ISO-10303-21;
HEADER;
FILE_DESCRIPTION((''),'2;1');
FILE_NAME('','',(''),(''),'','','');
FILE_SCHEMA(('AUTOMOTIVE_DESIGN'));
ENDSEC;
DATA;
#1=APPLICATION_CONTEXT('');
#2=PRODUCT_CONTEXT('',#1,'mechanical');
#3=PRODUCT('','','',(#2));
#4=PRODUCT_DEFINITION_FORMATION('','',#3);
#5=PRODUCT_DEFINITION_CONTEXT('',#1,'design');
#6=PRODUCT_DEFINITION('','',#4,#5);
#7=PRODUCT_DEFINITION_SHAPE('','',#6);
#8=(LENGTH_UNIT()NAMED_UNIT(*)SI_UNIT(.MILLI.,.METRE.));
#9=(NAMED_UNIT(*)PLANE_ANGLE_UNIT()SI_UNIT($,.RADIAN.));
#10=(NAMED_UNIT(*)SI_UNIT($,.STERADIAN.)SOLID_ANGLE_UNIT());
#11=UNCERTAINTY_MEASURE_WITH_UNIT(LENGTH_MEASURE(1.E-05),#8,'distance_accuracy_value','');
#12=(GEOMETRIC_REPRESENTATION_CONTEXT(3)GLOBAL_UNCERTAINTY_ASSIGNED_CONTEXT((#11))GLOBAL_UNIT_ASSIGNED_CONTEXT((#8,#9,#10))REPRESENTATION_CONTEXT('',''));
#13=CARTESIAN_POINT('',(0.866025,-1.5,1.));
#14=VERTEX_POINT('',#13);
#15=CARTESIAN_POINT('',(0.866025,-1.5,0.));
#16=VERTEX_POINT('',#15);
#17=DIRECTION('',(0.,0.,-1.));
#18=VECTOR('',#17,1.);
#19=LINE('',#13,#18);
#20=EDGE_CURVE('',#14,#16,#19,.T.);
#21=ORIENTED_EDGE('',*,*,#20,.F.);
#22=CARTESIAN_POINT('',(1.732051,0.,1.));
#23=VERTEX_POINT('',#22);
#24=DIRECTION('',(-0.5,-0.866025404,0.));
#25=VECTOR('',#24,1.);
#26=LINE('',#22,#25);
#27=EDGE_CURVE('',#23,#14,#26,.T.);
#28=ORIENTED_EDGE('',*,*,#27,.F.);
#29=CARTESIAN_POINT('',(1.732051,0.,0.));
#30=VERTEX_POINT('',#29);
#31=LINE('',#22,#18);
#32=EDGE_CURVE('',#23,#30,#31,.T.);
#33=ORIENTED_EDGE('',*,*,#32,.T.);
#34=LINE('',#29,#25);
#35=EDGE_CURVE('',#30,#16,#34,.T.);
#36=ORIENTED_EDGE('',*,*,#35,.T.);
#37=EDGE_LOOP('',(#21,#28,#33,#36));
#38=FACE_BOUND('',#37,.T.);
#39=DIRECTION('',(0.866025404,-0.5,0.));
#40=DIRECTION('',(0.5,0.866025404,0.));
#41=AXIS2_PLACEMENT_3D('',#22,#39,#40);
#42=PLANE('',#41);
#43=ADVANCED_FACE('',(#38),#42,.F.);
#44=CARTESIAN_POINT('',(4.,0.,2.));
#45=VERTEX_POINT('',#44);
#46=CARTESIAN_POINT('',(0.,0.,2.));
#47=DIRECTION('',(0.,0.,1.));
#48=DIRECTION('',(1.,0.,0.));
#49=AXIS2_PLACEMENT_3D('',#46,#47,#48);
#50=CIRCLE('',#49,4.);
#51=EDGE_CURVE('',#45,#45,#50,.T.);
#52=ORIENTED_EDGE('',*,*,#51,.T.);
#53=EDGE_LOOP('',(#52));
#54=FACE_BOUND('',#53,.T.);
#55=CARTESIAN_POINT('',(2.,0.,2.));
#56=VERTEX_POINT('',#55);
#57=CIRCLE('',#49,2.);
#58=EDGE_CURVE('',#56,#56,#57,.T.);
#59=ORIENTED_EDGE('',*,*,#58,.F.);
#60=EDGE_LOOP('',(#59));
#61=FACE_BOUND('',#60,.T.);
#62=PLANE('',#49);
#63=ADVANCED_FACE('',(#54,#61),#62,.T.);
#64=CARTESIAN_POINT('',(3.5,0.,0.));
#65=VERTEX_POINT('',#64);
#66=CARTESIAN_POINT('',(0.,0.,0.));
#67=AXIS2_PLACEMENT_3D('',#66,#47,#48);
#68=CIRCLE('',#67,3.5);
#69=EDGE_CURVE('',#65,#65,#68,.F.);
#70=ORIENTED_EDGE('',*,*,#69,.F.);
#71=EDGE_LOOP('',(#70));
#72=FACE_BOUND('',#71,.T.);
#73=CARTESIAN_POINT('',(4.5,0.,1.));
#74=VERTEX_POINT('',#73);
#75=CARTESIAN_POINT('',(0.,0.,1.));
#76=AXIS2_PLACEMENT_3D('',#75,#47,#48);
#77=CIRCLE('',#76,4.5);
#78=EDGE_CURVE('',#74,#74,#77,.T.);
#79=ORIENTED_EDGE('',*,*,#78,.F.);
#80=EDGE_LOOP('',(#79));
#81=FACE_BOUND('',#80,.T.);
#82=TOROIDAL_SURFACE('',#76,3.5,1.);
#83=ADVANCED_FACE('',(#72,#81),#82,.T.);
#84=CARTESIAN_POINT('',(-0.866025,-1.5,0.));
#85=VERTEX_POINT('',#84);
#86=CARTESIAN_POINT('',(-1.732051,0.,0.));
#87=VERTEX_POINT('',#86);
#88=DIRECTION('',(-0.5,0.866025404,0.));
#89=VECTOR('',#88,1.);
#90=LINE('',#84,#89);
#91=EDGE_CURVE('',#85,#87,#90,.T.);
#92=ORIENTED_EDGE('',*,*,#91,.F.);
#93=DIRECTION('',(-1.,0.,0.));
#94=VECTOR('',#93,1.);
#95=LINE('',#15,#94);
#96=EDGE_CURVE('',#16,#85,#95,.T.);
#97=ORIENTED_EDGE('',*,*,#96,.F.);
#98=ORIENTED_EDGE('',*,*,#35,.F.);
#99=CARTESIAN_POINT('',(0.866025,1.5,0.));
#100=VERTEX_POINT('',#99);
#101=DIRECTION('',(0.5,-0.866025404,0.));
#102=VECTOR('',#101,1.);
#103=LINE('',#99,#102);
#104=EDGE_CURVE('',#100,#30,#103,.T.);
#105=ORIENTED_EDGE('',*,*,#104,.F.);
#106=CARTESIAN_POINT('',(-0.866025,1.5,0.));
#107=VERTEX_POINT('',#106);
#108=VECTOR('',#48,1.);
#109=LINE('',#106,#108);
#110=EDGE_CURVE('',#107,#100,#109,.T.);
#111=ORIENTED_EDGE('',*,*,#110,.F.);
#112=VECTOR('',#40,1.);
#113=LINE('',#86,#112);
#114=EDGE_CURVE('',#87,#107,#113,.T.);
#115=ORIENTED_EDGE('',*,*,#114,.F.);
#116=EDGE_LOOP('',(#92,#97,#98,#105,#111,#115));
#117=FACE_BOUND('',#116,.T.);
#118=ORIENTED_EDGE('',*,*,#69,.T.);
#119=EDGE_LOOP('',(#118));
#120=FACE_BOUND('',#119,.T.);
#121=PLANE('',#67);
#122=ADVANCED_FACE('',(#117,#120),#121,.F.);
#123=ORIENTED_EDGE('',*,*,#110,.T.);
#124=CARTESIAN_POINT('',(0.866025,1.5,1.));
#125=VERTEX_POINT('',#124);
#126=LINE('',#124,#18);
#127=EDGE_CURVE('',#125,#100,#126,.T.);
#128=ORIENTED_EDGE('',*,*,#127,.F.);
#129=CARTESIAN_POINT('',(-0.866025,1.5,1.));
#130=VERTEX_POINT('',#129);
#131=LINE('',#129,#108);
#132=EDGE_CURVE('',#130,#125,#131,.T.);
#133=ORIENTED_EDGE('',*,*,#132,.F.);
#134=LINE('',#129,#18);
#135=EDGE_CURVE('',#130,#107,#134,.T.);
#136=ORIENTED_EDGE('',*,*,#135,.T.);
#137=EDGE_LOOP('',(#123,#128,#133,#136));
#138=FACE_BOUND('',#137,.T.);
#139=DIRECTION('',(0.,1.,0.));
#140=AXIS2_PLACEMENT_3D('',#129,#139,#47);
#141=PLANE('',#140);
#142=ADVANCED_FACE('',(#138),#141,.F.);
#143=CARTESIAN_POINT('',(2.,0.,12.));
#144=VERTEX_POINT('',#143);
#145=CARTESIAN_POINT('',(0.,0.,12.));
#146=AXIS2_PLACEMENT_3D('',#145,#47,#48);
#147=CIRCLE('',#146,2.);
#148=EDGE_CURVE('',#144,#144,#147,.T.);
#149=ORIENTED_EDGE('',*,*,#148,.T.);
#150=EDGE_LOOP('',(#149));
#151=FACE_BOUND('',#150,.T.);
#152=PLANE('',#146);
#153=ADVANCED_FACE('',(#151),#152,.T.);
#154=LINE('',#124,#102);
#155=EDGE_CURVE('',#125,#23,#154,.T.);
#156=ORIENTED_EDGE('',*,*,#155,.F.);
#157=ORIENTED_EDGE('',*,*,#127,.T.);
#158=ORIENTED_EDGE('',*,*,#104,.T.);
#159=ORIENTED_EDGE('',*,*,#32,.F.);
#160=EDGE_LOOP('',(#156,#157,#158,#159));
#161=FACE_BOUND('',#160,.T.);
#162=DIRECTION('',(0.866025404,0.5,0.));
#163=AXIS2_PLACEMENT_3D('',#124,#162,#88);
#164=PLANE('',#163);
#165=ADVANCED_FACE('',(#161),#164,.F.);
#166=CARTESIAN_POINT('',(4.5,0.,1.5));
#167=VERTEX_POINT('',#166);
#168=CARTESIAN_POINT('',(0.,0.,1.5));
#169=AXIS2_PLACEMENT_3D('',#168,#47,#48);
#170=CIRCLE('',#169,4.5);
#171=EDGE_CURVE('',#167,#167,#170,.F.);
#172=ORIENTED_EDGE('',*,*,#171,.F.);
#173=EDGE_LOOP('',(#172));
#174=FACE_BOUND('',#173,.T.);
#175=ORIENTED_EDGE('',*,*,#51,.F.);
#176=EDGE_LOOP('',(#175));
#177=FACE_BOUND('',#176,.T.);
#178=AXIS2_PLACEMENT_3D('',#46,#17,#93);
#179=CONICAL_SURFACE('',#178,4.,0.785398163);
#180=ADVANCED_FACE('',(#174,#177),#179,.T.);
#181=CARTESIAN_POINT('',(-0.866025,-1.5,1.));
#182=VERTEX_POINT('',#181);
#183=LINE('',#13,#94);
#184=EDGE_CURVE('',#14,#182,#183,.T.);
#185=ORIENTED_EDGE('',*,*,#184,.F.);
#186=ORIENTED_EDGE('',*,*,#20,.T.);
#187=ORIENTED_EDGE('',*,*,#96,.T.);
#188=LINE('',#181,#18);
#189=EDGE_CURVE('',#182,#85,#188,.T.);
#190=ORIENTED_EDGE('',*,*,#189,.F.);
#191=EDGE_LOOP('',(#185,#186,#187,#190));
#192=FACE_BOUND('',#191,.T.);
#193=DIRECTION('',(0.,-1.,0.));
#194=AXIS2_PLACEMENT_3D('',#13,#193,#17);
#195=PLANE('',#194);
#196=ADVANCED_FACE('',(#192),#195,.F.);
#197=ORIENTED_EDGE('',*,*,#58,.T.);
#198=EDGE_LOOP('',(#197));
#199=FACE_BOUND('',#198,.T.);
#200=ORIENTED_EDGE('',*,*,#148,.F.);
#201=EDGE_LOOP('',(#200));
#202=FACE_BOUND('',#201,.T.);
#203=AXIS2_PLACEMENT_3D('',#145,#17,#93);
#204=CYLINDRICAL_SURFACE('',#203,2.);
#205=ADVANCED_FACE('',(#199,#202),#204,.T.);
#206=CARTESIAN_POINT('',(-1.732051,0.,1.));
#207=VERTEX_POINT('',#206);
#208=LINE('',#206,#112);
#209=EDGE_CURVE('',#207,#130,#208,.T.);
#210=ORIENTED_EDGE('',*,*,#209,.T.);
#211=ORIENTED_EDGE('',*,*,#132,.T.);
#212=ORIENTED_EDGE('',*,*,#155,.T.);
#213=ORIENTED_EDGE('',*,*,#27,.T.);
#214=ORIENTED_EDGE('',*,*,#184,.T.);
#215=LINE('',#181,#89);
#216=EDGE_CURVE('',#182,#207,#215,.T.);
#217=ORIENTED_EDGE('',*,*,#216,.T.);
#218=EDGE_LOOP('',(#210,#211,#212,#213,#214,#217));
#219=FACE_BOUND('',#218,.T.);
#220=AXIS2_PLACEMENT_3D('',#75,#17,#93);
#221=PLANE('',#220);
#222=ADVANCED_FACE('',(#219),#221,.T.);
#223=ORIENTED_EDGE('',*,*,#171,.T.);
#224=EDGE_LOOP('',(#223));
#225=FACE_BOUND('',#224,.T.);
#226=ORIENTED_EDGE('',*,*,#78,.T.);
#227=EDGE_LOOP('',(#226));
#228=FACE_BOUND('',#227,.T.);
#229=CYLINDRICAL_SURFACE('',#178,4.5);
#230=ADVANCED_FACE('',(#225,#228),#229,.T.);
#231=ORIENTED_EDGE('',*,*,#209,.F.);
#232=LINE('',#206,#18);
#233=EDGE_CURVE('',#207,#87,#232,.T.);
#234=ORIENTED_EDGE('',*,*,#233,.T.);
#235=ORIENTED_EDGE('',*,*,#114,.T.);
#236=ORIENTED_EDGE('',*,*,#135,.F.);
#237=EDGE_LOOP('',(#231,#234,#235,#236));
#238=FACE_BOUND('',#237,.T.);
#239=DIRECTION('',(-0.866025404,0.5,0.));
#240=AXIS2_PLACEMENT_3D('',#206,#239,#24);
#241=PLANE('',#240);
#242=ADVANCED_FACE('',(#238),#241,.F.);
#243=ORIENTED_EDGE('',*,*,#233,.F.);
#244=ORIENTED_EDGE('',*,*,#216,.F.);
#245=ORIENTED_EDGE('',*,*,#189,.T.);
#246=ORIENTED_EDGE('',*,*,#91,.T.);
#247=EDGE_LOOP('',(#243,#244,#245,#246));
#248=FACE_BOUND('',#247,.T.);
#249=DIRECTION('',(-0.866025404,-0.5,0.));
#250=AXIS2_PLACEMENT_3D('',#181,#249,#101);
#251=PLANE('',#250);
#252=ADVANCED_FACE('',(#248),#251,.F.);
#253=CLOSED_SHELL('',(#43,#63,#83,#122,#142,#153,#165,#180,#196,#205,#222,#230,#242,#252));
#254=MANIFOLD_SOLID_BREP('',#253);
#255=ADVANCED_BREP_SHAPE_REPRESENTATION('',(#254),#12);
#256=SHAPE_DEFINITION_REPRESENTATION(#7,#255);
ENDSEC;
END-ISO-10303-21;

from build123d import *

# Parameters (mm, degrees)
SKETCH_1_R          = 4.5
EXTRUDE_1_DEPTH     = 2
SKETCH_2_R          = 2
EXTRUDE_2_DEPTH     = 10
FILLET_1_R          = 1
CHAMFER_1_SIZE      = 0.5
CUT_EXTRUDE_1_DEPTH = 1


with BuildPart() as part:
    # 草图1 → 凸台-拉伸1 (new body)
    with BuildSketch(Plane.XY):
        Circle(SKETCH_1_R)
    extrude(amount=EXTRUDE_1_DEPTH)

    # 草图2 → 凸台-拉伸2 (add)
    with BuildSketch(Plane.XY.offset(2)):
        Circle(SKETCH_2_R)
    extrude(amount=EXTRUDE_2_DEPTH)

    # 圆角1
    fillet_1_edges = [part.edges().sort_by_distance(p)[0] for p in [
        (-4.5, 0, 0),
    ]]
    fillet(fillet_1_edges, radius=FILLET_1_R)

    # 倒角1
    chamfer_1_edges = [part.edges().sort_by_distance(p)[0] for p in [
        (-4.5, 0, 2),
    ]]
    chamfer(chamfer_1_edges, length=CHAMFER_1_SIZE)

    # 草图3 → 切除-拉伸1 (cut)
    with BuildSketch(Plane(origin=(0, 0, 0), x_dir=(-1, 0, 0), z_dir=(0, 0, -1))):
        Polygon((-0.866025404, 1.5), (-1.732050808, 0), (-0.866025404, -1.5), (0.866025404, -1.5), (1.732050808, 0), (0.866025404, 1.5), align=None)
    extrude(amount=-CUT_EXTRUDE_1_DEPTH, mode=Mode.SUBTRACT)


solid = part.part
